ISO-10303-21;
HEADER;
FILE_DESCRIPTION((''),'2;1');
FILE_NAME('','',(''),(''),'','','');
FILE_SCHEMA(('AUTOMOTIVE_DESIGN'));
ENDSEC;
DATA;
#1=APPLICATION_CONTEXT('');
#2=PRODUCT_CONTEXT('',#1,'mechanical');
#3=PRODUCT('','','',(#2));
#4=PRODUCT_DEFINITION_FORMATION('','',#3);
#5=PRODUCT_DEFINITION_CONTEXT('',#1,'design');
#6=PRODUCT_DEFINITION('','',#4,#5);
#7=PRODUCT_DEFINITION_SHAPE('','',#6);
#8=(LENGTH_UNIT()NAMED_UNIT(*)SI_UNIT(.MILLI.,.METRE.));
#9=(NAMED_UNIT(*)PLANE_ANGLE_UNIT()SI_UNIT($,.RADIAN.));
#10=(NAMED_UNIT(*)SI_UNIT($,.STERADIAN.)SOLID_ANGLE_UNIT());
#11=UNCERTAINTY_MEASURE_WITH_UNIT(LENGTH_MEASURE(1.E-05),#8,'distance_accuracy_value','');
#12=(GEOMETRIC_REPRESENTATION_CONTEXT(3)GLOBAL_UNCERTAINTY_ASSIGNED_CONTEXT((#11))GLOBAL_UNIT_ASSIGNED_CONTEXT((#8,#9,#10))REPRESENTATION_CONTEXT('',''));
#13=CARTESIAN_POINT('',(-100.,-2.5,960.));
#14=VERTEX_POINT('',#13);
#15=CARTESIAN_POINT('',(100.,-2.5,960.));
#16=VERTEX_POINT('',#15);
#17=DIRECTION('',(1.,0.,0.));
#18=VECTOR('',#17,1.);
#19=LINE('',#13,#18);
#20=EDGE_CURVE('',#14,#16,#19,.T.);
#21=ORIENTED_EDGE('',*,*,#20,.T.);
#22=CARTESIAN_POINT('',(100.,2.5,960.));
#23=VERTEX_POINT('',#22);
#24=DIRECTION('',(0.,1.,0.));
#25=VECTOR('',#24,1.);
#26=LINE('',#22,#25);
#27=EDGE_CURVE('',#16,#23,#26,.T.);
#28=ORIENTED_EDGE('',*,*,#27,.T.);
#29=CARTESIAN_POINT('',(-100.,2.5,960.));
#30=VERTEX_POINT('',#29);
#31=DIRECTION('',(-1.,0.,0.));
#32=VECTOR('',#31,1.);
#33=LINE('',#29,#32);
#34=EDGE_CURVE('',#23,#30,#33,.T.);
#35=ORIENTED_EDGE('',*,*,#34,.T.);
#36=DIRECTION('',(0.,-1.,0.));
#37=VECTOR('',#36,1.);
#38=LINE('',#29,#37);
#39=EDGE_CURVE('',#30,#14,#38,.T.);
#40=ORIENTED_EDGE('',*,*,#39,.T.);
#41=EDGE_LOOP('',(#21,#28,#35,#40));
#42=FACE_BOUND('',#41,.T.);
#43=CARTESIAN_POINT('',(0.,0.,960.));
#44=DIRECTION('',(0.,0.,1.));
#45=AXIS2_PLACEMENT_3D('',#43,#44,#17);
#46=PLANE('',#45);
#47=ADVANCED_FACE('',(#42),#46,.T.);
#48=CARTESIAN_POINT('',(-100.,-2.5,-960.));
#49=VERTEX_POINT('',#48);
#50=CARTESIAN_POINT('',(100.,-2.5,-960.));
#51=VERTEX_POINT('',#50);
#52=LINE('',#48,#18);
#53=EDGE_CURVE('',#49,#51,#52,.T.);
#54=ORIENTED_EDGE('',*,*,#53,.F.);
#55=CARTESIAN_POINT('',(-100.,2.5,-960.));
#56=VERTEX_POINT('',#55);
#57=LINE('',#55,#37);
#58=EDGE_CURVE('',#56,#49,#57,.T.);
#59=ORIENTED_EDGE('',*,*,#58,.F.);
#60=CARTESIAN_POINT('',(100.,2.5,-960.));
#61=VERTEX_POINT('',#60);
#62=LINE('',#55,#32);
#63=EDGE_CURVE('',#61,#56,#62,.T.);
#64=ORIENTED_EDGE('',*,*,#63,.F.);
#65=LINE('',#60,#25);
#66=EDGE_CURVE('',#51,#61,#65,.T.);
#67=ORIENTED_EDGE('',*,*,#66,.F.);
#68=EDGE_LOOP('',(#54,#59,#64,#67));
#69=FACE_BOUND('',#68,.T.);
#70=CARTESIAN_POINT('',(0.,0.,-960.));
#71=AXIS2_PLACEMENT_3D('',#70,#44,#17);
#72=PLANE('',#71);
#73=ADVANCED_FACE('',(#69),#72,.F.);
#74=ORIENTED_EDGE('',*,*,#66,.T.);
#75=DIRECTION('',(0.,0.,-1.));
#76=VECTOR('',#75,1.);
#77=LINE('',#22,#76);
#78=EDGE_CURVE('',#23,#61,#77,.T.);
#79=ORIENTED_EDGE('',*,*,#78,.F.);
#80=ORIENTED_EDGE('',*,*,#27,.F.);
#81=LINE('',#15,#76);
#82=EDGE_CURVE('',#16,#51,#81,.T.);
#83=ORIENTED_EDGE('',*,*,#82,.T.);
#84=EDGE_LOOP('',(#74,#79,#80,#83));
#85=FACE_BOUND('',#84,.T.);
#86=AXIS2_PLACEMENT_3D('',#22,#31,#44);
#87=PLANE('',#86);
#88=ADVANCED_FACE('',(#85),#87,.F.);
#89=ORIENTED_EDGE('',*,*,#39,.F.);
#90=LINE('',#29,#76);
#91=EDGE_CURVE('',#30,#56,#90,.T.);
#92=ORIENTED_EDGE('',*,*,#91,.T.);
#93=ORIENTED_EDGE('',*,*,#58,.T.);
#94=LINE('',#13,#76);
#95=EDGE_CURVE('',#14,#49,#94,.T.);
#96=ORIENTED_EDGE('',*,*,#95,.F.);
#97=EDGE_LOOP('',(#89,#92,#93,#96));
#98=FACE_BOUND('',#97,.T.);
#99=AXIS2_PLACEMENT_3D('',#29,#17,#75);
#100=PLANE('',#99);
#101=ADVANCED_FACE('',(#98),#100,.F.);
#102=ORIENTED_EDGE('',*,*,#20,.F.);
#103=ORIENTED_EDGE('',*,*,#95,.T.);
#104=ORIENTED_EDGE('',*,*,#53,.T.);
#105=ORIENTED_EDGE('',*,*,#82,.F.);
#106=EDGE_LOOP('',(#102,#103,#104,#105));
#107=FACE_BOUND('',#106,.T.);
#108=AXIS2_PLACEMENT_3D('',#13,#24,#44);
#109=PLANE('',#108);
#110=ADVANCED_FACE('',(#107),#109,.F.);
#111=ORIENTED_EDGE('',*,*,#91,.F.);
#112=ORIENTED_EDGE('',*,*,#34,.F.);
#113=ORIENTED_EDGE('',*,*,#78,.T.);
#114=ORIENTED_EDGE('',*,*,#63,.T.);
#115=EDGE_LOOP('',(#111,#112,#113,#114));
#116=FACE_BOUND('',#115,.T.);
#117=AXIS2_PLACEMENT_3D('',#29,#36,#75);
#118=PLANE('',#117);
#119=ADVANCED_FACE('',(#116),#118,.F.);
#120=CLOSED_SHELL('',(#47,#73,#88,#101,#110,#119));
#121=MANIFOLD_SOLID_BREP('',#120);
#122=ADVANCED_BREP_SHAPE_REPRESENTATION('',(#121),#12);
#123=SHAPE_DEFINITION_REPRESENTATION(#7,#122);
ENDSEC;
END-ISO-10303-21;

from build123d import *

# Parameters (mm, degrees)
SKETCH_1_W      = 200
SKETCH_1_H      = 5
EXTRUDE_1_DEPTH = 960


with BuildPart() as part:
    # Эскиз1 → Бобышка-Вытянуть1 (new, symmetric)
    with BuildSketch(Plane.XY):
        Rectangle(SKETCH_1_W, SKETCH_1_H)
    extrude(amount=EXTRUDE_1_DEPTH, both=True)


solid = part.part
